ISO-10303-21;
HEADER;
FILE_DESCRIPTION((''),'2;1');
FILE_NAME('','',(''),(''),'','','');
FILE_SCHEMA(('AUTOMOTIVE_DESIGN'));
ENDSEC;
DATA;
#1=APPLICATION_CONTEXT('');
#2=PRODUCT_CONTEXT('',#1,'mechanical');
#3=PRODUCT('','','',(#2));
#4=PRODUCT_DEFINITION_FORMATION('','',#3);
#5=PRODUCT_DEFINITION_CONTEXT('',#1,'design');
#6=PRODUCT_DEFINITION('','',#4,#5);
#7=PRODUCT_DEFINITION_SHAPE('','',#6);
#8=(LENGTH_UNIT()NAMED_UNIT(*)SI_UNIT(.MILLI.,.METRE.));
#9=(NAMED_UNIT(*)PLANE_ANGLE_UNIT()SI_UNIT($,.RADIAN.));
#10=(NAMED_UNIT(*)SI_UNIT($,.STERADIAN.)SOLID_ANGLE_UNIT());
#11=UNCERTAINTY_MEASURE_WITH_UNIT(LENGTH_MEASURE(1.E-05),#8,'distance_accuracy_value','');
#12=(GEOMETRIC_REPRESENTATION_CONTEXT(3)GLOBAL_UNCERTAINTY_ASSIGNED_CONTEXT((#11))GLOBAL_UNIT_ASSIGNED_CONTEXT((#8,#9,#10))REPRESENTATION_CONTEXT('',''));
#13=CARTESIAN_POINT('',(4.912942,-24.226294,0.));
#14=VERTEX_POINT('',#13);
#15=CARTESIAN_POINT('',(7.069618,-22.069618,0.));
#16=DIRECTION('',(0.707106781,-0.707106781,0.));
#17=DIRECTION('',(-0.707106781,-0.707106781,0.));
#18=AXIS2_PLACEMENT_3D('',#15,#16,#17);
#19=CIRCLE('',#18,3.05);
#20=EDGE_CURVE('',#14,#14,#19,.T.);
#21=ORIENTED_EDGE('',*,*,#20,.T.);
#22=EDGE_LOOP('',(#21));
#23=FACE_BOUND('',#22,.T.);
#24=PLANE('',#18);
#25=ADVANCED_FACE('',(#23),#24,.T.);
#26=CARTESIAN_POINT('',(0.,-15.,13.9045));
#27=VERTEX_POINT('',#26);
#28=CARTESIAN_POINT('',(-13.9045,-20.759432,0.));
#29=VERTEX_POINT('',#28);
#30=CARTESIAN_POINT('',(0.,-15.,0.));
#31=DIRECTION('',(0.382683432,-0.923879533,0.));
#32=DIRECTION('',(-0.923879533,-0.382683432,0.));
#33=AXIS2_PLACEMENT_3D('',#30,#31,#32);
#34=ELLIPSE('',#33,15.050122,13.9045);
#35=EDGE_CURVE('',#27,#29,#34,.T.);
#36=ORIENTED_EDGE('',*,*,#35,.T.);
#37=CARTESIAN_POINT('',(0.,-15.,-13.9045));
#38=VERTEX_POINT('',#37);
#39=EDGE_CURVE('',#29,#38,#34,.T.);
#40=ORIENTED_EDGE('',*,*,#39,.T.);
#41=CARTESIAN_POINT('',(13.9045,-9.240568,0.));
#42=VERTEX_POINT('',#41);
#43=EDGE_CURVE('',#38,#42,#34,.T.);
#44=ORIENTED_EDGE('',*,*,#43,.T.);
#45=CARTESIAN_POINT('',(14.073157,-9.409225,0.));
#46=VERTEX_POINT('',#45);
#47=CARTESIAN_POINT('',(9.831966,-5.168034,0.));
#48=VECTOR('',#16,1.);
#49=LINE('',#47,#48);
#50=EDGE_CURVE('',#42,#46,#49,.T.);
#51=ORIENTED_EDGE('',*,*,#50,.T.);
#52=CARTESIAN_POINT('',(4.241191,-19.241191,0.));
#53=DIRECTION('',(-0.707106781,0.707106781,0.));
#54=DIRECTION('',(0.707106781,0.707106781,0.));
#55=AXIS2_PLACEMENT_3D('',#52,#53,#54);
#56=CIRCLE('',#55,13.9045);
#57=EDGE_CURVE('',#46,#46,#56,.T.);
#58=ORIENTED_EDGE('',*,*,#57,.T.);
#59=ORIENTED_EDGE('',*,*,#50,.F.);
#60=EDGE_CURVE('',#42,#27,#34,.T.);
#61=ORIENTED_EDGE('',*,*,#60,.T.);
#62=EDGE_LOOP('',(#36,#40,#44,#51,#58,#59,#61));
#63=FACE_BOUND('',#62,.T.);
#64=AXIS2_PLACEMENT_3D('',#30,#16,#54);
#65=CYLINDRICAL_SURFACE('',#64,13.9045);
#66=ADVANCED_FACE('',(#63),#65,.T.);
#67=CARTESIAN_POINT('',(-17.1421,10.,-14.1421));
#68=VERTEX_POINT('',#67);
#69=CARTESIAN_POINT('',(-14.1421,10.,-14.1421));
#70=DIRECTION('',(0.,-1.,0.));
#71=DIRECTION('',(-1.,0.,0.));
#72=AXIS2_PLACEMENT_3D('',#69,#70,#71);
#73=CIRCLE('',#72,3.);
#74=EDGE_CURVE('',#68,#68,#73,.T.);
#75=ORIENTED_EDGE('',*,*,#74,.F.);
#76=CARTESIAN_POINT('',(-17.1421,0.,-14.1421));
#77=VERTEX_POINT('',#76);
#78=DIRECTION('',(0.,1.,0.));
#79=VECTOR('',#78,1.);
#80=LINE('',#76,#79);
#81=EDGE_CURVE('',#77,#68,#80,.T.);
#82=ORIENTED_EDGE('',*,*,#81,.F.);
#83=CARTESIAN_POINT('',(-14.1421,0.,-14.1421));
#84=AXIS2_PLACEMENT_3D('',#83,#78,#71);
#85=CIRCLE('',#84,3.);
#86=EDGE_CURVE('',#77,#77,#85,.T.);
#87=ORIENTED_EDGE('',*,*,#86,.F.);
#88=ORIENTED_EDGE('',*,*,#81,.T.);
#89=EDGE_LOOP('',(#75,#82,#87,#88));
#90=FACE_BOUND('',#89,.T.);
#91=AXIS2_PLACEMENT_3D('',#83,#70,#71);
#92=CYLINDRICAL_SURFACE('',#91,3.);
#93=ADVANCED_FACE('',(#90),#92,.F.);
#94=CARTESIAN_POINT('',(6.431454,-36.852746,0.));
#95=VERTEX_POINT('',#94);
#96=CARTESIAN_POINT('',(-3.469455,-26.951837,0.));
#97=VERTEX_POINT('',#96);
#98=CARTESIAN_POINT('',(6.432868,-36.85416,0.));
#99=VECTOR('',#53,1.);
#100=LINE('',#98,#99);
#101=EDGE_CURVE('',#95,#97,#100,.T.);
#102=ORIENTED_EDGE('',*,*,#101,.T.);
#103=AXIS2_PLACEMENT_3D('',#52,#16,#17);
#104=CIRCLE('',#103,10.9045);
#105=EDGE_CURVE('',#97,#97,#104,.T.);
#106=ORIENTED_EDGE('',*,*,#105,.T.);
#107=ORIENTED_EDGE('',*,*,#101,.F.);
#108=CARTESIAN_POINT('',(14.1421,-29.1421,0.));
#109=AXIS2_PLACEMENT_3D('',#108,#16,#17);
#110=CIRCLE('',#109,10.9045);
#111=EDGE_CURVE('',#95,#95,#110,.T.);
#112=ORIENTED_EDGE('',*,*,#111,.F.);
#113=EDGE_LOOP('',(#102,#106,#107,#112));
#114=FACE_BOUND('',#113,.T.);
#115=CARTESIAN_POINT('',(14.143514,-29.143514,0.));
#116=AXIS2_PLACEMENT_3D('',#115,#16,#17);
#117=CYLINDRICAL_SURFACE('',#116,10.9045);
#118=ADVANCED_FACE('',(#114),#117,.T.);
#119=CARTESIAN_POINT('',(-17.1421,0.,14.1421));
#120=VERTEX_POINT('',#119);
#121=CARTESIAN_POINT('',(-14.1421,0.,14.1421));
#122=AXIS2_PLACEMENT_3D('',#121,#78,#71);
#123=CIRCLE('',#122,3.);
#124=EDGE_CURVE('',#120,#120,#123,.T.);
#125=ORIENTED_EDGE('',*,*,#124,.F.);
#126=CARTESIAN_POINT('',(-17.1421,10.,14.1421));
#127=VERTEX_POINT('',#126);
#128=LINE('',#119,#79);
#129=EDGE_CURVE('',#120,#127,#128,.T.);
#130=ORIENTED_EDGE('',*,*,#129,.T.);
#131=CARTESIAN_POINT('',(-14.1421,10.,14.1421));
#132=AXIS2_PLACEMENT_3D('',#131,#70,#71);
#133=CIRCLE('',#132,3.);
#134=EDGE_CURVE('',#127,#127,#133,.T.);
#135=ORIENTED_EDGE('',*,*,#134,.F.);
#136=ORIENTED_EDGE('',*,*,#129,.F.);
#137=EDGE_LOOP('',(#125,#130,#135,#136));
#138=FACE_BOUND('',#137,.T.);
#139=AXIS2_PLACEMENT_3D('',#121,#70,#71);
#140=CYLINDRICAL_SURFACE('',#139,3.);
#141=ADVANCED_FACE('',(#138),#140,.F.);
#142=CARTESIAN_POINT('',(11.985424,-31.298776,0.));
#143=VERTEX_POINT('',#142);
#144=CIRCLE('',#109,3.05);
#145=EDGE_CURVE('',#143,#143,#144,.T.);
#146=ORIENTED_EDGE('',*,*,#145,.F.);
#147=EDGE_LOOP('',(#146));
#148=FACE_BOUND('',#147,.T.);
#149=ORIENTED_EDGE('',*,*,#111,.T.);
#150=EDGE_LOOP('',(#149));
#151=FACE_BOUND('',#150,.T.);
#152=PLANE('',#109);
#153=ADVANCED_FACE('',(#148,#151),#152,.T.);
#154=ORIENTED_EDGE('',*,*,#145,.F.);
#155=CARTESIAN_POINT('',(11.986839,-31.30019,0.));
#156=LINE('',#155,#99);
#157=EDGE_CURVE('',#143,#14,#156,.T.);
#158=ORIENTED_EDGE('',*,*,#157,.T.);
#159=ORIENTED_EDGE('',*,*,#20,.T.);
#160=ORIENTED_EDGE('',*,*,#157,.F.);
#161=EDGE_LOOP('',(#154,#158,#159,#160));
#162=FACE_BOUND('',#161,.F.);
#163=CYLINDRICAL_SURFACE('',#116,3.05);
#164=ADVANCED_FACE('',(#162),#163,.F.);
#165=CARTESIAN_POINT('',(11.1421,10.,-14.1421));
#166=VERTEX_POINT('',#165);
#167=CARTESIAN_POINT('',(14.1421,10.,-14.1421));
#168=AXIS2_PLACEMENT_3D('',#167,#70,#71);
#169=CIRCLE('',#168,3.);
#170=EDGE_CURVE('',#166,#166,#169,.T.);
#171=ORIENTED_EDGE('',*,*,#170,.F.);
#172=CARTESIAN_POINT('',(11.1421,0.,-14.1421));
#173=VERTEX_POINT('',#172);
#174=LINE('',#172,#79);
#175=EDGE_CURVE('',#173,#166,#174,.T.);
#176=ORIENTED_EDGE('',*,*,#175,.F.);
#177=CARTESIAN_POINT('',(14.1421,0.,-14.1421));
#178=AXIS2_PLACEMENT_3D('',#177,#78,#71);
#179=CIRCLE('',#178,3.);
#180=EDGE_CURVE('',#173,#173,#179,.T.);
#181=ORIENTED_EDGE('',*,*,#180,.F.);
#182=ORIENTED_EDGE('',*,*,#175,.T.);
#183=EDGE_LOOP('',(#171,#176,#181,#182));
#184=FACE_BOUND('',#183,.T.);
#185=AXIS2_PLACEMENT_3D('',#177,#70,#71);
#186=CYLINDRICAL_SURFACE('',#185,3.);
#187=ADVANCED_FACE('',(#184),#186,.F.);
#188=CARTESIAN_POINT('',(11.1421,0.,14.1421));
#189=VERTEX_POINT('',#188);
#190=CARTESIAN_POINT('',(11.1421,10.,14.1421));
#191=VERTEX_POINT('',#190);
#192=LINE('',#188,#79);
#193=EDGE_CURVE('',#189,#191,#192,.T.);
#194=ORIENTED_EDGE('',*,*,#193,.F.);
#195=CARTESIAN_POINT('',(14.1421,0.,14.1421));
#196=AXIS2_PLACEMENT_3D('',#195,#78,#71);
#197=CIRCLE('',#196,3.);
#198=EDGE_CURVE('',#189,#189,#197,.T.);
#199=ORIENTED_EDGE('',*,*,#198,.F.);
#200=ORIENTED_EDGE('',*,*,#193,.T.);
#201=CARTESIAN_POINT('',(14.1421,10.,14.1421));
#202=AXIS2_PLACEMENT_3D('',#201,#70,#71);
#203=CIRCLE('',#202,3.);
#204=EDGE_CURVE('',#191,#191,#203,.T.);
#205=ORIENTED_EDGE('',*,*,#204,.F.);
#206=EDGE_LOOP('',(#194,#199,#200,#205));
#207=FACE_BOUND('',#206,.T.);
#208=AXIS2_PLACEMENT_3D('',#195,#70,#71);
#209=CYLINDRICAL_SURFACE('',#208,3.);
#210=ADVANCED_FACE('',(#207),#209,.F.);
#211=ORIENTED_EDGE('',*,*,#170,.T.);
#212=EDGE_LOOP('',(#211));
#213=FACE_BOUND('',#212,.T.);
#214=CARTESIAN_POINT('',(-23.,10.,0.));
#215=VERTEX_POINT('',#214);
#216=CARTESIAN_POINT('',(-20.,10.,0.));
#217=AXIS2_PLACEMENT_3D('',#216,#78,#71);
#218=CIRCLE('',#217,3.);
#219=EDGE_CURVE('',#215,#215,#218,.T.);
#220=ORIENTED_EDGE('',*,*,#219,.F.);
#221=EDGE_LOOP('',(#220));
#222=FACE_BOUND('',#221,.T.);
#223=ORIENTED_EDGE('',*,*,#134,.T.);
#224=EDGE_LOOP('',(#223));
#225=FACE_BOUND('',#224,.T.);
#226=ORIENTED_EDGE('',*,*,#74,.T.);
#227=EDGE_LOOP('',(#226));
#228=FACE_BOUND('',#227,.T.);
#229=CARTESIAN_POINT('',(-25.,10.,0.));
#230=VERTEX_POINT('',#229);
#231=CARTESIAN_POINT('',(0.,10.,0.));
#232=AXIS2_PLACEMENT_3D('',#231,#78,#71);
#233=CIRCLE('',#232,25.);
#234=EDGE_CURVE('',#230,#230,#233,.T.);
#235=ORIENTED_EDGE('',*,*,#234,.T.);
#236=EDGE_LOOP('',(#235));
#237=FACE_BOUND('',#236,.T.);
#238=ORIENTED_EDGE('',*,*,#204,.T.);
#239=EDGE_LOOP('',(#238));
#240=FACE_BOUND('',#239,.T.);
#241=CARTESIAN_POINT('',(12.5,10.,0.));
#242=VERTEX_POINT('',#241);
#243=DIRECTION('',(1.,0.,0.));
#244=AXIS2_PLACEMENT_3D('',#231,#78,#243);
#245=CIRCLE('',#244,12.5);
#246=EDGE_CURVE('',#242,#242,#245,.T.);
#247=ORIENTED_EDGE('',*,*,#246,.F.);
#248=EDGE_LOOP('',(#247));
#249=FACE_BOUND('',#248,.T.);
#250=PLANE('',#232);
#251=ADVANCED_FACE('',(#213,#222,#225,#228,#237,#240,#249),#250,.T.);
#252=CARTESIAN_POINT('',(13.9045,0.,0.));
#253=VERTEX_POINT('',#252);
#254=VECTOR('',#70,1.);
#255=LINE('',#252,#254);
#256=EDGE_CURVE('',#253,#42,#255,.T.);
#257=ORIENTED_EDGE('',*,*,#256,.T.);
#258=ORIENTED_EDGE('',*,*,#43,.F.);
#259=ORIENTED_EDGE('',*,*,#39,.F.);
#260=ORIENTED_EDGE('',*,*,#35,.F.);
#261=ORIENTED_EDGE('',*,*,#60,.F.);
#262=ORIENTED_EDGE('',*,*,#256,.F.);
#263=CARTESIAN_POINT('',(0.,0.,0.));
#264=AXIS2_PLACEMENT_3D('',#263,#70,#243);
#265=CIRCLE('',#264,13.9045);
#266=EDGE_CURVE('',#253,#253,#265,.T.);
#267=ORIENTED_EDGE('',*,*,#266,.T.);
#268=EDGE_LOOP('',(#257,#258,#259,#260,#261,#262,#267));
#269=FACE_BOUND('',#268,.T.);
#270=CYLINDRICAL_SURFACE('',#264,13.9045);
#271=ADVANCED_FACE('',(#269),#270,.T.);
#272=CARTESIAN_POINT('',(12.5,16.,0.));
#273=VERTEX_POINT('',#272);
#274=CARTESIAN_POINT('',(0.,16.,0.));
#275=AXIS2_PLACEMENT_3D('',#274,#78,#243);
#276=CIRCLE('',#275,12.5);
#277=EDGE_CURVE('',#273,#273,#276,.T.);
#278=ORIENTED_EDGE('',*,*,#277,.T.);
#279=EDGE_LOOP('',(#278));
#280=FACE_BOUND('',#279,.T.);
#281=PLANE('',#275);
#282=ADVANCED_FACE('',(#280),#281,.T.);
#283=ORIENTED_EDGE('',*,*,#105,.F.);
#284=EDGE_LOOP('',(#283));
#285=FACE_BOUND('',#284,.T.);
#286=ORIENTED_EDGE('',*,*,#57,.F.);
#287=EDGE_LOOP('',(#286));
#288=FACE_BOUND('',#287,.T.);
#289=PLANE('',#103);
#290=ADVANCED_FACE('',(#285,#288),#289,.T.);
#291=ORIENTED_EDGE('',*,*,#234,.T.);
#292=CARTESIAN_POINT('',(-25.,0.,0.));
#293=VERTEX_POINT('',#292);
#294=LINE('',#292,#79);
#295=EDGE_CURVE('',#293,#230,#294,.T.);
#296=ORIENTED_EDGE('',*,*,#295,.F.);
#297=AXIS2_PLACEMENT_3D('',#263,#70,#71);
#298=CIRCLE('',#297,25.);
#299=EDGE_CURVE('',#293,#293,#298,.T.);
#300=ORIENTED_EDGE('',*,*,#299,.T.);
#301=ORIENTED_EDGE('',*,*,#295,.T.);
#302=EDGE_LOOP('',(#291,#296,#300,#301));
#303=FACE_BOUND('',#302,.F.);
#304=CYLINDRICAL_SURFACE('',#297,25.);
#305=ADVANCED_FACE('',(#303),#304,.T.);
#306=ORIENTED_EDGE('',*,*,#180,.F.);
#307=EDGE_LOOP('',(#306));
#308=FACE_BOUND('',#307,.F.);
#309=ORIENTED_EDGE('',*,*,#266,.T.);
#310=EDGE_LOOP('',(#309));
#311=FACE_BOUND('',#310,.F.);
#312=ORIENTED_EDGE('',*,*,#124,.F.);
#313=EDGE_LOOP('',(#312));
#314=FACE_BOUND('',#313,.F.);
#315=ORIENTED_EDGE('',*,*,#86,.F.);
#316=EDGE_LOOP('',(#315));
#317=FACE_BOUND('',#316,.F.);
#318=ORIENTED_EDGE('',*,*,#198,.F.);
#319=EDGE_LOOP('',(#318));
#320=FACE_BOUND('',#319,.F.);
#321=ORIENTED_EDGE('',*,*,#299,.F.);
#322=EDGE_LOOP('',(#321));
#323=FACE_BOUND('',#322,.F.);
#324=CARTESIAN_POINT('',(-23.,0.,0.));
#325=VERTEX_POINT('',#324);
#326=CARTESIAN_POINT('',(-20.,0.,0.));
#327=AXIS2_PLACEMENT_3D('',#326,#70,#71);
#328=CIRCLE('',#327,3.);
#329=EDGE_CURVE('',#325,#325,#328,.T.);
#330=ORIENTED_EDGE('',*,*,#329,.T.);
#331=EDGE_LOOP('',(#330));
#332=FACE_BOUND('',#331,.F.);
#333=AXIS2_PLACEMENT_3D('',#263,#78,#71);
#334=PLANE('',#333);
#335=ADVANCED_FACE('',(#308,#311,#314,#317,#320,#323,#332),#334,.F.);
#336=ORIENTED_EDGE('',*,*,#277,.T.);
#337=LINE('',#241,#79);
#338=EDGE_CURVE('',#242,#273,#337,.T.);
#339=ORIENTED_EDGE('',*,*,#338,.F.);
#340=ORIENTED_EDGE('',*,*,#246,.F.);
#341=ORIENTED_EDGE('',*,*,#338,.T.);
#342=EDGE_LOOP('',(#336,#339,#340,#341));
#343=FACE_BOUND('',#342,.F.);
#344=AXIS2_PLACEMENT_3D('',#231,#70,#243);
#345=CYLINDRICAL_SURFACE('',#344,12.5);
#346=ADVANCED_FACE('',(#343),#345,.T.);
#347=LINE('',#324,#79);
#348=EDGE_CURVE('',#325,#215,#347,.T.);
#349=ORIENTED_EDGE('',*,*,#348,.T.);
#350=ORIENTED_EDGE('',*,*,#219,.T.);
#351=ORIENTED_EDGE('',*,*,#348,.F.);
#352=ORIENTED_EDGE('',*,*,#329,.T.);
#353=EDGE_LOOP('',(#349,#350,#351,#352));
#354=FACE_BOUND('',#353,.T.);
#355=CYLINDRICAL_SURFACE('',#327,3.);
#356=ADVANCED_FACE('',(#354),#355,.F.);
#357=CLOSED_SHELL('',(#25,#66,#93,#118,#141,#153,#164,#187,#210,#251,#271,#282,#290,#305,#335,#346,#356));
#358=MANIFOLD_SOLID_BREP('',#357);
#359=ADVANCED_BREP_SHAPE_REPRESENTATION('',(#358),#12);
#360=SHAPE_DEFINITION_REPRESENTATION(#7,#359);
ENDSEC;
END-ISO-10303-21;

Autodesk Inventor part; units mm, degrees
ref_plane "YZ Plane" through (0, 0, 0) normal (1, 0, 0) x (0, 1, 0)
ref_plane "XZ Plane" through (0, 0, 0) normal (0, 1, 0) x (-1, 0, 0)
ref_plane "XY Plane" through (0, 0, 0) normal (0, 0, 1) x (1, 0, 0)
sketch "Boceto1" plane through (0, 0, 0) normal (0, 1, 0) x (-1, 0, 0)
  circle A0 centre (0, 0) radius 25
  circle A1 centre (0, 0) radius 20
  line L0 (0, 0) -> (25, 0)
  line L1 (0, 0) -> (17.6777, -17.6777)
  line L2 (0, 0) -> (25, 0) construction
  line L3 (0, 0) -> (17.6777, 17.6777)
  line L4 (0, 0) -> (25, 0) construction
  line L5 (0, 0) -> (-17.6777, -17.6777)
  line L6 (0, 0) -> (-17.6777, 17.6777)
  circle A2 centre (20, 0) radius 3
  circle A3 centre (14.1421, -14.1421) radius 3
  circle A4 centre (14.1421, 14.1421) radius 3
  circle A5 centre (-14.1421, 14.1421) radius 3
  circle A6 centre (-14.1421, -14.1421) radius 3
  point P0 (16.0984, 11.8677)
  point P1 (11.8677, 16.0984)
  dimension "d0" = 50
  dimension "d1" = 40
  dimension "d2" = 45
  dimension "d3" = 45
  dimension "d4" = 6
  dimension "d5" = 6
  dimension "d6" = 6
  dimension "d7" = 6
  dimension "d8" = 6
extrude "Extrusión1" add sketch "Boceto1" along normal blind 10 contours L0 A2 A1 A4 L3 A0 | A0 L1 A3 A1 A2 L0 | L3 A4 A1 A5 L6 A0 | A0 L5 A6 A1 A3 L1 | L6 A5 A1 A6 L5 A0 | A2 L0 L3 A4 A1 | A1 A3 L1 L0 A2 | A4 L3 L6 A5 A1 | A1 A6 L5 L1 A3 | A5 L6 L5 A6 A1
thread "Rosca1"
thread "Rosca2"
thread "Rosca3"
thread "Rosca4"
sketch "Boceto3" plane through (0, 10, 0) normal (0, 1, 0) x (1, 0, 0)
  circle A0 centre (0, 0) radius 12.5
  dimension "d22" = 25
extrude "Extrusión3" add sketch "Boceto3" along normal blind 6
sketch "Boceto7" plane through (0, 0, 0) normal (0, 0, 1) x (1, 0, 0)
  line L0 (0, 0) -> (0, -15)
  line L1 (0, -15) -> (14.1421, -29.1421)
  dimension "d31" = 15
  dimension "d32" = 20
  dimension "d33" = 135
sketch "Boceto8" plane through (0, 0, 0) normal (0, -1, 0) x (1, 0, 0)
  circle A0 centre (0, 0) radius 13.9045
  dimension "d34" = 27.809
sweep "Barrido1" add profiles "Boceto8" path "Boceto7"
sketch "Boceto10" plane through (14.1421, -29.1421, 0) normal (0.7071, -0.7071, 0) x (-0.7071, -0.7071, 0)
  ellipse E0 centre (-17.6777, 0) end of major axis (-17.6777, -25) minor radius 17.6777 projected
  circle A0 centre (0, 0) radius 13.9045
  circle A1 centre (0, 0) radius 10.9045
  point P0 (-10.6066, 0)
  dimension "d40" = 27.809
  dimension "d41" = 21.809
extrude "Extrusión7" cut sketch "Boceto10" against normal blind 14 contours A0 E0 A1 | E0 A1 A0
sketch "Boceto11" plane through (14.1421, -29.1421, 0) normal (0.7071, -0.7071, 0) x (-0.7071, -0.7071, 0)
  ellipse E0 centre (-17.6777, 0) end of major axis (-17.6777, -25) minor radius 17.6777 projected
  circle A0 centre (0, 0) radius 3.05
  point P0 (-10.6066, 0)
  dimension "d44" = 6.1
extrude "Extrusión8" cut sketch "Boceto11" against normal blind 10 contours A0 E0 | E0 A0 picked at (-0.8572, 1.0724) picked at (0.8995, 0.9612)
properties part number "BaseH"
